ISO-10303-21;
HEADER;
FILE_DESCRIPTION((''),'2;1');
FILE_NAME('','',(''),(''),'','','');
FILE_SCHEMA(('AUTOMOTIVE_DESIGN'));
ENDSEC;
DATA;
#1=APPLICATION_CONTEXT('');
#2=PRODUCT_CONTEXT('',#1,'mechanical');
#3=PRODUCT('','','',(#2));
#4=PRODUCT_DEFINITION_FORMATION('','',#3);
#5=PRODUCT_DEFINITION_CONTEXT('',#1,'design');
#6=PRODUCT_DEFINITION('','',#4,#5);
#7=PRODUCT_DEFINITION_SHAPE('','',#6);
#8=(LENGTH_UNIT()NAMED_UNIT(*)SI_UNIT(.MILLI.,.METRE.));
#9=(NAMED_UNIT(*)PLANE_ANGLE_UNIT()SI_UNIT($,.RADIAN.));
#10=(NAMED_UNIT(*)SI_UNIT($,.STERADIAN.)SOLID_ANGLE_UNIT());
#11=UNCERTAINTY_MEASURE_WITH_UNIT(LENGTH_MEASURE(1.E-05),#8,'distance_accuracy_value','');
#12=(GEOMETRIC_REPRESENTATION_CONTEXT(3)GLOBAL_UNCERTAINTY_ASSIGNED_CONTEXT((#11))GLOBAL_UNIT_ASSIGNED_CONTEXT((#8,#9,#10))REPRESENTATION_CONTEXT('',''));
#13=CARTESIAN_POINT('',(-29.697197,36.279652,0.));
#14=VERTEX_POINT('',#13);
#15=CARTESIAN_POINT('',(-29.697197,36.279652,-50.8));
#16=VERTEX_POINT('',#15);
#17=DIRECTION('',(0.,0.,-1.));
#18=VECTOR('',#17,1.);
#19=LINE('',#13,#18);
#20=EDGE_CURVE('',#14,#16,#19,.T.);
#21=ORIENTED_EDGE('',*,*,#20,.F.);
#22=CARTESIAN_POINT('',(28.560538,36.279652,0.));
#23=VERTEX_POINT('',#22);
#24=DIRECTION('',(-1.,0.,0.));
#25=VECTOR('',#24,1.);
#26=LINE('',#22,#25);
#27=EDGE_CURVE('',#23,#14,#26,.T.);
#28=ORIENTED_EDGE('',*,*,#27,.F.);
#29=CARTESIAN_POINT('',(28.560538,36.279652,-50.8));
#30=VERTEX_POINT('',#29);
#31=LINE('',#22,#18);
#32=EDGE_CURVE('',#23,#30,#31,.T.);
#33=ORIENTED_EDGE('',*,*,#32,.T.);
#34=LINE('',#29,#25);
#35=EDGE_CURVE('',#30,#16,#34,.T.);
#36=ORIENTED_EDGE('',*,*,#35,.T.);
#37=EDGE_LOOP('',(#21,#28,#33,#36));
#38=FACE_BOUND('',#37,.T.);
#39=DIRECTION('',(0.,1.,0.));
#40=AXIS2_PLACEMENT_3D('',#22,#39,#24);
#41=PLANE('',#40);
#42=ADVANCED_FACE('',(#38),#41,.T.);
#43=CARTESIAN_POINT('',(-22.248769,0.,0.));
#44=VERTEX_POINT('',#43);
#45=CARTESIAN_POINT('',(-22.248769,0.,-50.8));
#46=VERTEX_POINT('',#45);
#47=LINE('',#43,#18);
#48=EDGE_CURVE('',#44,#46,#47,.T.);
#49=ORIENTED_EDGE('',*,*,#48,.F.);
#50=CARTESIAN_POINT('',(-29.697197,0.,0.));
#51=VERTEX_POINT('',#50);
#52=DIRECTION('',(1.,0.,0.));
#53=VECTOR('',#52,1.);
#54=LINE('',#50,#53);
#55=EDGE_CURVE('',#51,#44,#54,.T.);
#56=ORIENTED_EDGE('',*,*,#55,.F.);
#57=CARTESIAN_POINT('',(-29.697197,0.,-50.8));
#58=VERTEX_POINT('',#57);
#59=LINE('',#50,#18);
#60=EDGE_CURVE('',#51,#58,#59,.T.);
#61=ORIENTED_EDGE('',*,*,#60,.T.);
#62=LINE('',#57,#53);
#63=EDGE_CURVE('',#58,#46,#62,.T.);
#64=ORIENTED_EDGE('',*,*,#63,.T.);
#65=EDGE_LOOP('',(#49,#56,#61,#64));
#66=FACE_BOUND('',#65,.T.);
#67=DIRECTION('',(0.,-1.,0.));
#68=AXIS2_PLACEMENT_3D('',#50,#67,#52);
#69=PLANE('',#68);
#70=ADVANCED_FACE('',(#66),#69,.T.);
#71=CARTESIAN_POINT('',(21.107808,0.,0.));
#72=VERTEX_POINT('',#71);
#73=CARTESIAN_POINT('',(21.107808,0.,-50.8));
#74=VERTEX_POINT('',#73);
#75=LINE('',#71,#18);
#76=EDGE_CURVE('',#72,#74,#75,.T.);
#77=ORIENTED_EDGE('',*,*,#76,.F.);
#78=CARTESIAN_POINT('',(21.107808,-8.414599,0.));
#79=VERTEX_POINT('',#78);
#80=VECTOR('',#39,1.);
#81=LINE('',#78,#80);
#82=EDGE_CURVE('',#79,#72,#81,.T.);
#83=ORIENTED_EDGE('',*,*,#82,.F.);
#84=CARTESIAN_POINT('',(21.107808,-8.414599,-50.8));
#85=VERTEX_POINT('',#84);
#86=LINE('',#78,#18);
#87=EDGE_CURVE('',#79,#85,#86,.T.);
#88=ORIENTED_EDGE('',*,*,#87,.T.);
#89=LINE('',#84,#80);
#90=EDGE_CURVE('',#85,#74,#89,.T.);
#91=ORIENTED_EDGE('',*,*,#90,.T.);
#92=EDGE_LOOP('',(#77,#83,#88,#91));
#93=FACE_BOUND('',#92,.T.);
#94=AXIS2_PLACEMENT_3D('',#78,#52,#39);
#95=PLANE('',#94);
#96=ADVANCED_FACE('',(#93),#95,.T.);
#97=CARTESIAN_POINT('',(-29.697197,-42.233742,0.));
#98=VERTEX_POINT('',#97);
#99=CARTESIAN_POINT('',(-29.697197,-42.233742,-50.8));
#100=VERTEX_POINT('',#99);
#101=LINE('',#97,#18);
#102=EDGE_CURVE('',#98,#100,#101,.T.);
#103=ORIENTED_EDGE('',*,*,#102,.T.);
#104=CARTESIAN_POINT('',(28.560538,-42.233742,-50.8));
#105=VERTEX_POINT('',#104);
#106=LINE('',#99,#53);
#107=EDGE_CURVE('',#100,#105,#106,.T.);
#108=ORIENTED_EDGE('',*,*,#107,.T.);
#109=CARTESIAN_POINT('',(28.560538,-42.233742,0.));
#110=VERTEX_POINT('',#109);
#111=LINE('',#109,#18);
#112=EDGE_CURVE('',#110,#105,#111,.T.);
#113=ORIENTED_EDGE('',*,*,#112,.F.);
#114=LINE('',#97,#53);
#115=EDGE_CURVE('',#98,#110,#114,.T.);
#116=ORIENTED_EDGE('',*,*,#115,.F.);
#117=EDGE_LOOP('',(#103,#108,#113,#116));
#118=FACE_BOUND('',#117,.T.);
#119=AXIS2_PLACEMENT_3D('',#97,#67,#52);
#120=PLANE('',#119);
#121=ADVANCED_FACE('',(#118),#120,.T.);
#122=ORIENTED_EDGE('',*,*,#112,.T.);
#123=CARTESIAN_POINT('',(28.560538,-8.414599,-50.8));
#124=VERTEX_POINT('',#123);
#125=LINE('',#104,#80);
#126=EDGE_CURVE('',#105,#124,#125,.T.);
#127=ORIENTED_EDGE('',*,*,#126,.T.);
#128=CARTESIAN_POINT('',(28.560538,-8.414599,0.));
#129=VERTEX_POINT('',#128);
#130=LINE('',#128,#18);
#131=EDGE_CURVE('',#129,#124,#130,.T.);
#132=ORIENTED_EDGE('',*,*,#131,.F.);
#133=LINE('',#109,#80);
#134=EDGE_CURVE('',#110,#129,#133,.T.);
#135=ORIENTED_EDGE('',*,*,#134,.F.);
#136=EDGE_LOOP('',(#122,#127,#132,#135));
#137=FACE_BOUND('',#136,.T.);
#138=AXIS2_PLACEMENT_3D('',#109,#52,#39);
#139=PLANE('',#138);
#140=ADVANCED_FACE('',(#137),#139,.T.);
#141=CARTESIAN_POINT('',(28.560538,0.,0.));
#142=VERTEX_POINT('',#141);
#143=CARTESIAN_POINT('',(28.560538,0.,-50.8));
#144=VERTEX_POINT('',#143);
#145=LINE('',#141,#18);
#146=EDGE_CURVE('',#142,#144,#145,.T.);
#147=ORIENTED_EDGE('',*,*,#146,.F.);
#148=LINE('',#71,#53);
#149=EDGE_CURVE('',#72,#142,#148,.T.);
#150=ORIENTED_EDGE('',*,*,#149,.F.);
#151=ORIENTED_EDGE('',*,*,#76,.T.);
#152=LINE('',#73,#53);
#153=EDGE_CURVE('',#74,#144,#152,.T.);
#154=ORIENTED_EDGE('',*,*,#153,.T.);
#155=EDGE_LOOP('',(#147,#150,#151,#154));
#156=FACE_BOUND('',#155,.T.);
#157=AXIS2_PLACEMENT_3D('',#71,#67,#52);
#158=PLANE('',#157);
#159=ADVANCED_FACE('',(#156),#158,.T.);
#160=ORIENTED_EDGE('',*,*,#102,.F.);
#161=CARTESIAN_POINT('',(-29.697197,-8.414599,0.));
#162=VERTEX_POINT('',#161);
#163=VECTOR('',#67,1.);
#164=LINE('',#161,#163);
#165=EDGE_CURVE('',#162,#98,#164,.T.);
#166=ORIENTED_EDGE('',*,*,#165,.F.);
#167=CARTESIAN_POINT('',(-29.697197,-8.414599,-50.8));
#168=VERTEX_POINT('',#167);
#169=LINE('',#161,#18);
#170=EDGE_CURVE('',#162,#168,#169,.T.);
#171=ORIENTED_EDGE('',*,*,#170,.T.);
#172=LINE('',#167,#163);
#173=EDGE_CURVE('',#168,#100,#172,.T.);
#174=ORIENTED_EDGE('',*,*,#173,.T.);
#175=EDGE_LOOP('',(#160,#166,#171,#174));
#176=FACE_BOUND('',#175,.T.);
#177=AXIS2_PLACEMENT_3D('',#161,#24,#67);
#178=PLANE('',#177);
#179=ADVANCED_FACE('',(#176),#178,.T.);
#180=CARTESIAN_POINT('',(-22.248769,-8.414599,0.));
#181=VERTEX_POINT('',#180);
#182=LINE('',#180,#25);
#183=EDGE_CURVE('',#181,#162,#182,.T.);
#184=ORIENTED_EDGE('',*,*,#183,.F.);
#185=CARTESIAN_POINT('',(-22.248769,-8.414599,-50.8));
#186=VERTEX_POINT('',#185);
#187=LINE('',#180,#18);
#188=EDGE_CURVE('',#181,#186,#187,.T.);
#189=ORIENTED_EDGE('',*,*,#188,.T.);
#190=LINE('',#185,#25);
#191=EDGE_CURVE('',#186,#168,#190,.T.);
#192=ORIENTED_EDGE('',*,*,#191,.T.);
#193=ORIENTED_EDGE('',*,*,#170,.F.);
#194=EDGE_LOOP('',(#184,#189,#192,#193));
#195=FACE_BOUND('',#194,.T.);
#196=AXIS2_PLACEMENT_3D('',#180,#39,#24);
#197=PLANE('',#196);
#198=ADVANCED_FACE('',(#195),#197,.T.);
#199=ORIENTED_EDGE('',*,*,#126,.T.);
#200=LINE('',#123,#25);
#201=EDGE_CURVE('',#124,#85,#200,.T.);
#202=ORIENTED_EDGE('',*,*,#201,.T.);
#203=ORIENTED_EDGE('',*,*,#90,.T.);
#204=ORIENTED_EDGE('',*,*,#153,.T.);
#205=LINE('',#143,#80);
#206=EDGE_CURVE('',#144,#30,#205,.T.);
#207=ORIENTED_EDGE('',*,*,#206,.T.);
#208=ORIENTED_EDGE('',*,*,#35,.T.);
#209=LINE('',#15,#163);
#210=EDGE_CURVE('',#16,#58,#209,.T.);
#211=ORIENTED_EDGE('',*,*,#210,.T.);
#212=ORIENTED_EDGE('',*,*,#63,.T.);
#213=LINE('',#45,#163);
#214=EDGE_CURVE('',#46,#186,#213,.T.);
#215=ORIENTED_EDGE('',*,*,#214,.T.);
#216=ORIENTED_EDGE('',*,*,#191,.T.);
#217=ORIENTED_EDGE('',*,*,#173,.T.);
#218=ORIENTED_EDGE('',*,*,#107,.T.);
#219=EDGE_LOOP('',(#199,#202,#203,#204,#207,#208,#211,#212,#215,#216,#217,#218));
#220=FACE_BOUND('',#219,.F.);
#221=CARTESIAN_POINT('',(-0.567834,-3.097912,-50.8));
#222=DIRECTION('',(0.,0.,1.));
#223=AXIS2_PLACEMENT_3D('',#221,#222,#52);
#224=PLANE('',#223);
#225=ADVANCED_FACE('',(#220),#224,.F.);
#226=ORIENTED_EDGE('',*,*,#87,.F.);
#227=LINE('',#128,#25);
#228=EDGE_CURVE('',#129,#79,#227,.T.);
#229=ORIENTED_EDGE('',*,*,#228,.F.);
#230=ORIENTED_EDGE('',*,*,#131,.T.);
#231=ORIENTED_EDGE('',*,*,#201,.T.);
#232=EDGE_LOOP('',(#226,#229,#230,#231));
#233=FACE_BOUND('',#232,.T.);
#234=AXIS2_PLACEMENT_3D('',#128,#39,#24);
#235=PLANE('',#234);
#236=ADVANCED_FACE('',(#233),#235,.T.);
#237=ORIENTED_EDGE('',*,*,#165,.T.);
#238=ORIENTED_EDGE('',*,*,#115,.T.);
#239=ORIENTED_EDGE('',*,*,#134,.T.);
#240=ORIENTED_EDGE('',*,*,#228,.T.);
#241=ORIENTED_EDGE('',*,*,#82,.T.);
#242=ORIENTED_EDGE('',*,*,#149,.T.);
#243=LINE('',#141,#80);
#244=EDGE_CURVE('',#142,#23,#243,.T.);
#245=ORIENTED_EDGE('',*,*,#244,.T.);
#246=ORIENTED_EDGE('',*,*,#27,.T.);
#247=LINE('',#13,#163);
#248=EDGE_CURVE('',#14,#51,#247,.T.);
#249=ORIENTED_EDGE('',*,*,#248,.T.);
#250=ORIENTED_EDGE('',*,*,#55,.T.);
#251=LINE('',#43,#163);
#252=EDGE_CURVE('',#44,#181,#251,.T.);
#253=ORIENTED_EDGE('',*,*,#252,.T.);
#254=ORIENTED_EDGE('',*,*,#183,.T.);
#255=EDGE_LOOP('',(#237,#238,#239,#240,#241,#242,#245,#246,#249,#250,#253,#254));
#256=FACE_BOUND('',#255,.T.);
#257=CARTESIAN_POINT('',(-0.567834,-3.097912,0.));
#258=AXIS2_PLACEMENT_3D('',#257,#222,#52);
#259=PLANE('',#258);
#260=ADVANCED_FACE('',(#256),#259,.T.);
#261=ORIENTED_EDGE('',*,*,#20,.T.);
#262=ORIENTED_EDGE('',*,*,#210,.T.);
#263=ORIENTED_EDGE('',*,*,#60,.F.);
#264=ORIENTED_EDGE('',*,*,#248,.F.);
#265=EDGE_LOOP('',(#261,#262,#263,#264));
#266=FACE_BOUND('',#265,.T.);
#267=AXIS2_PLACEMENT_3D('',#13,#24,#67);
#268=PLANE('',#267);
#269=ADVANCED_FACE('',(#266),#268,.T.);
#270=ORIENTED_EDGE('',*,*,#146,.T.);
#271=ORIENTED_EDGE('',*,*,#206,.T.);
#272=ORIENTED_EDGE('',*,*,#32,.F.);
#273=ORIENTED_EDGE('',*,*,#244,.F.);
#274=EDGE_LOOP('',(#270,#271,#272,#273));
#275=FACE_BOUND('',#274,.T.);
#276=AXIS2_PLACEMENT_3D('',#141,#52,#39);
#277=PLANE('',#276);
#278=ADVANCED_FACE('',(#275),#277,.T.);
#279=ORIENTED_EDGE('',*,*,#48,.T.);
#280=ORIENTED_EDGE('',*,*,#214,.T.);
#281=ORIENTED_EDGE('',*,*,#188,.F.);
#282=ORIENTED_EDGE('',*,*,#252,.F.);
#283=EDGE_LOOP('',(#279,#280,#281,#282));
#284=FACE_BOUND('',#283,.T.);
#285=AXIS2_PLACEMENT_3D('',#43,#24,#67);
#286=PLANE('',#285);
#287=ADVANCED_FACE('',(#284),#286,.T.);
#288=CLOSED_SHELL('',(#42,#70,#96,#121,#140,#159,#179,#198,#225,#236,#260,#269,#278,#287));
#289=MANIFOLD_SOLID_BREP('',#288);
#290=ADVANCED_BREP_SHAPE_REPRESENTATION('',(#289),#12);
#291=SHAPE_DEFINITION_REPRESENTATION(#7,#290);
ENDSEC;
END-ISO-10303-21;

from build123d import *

# Parameters (mm, degrees)
F1_DEPTH = 50.8


with BuildPart() as f1:
    # F0 (on Top) → F1 (new body)
    with BuildSketch(Plane.XY):
        Polygon((28.560538, 36.279652), (-29.697197, 36.279652), (-29.697197, 0), (-22.248769, 0), (-22.248769, -8.414599), (-29.697197, -8.414599), (-29.697197, -42.233742), (28.560538, -42.233742), (28.560538, -8.414599), (21.107808, -8.414599), (21.107808, 0), (28.560538, 0), align=None)
        with BuildLine():
            ThreePointArc((5, -34.56944), (-3.535534, -38.104974), (0, -29.56944))
            ThreePointArc((0, -29.56944), (3.535534, -31.033906), (5, -34.56944))
        make_face(mode=Mode.SUBTRACT)
        with BuildLine():
            ThreePointArc((0, -29.56944), (-10, -19.56944), (0, -9.56944))
            ThreePointArc((0, -9.56944), (7.071068, -12.498372), (10, -19.56944))
            ThreePointArc((10, -19.56944), (7.071068, -26.640507), (0, -29.56944))
        make_face(mode=Mode.SUBTRACT)
        with BuildLine():
            ThreePointArc((0, -9.56944), (-14.495689, 25.426249), (20.5, 10.93056))
            ThreePointArc((20.5, 10.93056), (14.495689, -3.565129), (0, -9.56944))
        make_face(mode=Mode.SUBTRACT)
        with BuildLine():
            ThreePointArc((0, -9.56944), (14.495689, -3.565129), (20.5, 10.93056))
            ThreePointArc((20.5, 10.93056), (-14.495689, 25.426249), (0, -9.56944))
        make_face()
        with BuildLine():
            ThreePointArc((10, -19.56944), (7.071068, -12.498372), (0, -9.56944))
            ThreePointArc((0, -9.56944), (-10, -19.56944), (0, -29.56944))
            ThreePointArc((0, -29.56944), (7.071068, -26.640507), (10, -19.56944))
        make_face()
        with BuildLine():
            ThreePointArc((5, -34.56944), (3.535534, -31.033906), (0, -29.56944))
            ThreePointArc((0, -29.56944), (-3.535534, -38.104974), (5, -34.56944))
        make_face()
    extrude(amount=-F1_DEPTH)


solid = f1.part
